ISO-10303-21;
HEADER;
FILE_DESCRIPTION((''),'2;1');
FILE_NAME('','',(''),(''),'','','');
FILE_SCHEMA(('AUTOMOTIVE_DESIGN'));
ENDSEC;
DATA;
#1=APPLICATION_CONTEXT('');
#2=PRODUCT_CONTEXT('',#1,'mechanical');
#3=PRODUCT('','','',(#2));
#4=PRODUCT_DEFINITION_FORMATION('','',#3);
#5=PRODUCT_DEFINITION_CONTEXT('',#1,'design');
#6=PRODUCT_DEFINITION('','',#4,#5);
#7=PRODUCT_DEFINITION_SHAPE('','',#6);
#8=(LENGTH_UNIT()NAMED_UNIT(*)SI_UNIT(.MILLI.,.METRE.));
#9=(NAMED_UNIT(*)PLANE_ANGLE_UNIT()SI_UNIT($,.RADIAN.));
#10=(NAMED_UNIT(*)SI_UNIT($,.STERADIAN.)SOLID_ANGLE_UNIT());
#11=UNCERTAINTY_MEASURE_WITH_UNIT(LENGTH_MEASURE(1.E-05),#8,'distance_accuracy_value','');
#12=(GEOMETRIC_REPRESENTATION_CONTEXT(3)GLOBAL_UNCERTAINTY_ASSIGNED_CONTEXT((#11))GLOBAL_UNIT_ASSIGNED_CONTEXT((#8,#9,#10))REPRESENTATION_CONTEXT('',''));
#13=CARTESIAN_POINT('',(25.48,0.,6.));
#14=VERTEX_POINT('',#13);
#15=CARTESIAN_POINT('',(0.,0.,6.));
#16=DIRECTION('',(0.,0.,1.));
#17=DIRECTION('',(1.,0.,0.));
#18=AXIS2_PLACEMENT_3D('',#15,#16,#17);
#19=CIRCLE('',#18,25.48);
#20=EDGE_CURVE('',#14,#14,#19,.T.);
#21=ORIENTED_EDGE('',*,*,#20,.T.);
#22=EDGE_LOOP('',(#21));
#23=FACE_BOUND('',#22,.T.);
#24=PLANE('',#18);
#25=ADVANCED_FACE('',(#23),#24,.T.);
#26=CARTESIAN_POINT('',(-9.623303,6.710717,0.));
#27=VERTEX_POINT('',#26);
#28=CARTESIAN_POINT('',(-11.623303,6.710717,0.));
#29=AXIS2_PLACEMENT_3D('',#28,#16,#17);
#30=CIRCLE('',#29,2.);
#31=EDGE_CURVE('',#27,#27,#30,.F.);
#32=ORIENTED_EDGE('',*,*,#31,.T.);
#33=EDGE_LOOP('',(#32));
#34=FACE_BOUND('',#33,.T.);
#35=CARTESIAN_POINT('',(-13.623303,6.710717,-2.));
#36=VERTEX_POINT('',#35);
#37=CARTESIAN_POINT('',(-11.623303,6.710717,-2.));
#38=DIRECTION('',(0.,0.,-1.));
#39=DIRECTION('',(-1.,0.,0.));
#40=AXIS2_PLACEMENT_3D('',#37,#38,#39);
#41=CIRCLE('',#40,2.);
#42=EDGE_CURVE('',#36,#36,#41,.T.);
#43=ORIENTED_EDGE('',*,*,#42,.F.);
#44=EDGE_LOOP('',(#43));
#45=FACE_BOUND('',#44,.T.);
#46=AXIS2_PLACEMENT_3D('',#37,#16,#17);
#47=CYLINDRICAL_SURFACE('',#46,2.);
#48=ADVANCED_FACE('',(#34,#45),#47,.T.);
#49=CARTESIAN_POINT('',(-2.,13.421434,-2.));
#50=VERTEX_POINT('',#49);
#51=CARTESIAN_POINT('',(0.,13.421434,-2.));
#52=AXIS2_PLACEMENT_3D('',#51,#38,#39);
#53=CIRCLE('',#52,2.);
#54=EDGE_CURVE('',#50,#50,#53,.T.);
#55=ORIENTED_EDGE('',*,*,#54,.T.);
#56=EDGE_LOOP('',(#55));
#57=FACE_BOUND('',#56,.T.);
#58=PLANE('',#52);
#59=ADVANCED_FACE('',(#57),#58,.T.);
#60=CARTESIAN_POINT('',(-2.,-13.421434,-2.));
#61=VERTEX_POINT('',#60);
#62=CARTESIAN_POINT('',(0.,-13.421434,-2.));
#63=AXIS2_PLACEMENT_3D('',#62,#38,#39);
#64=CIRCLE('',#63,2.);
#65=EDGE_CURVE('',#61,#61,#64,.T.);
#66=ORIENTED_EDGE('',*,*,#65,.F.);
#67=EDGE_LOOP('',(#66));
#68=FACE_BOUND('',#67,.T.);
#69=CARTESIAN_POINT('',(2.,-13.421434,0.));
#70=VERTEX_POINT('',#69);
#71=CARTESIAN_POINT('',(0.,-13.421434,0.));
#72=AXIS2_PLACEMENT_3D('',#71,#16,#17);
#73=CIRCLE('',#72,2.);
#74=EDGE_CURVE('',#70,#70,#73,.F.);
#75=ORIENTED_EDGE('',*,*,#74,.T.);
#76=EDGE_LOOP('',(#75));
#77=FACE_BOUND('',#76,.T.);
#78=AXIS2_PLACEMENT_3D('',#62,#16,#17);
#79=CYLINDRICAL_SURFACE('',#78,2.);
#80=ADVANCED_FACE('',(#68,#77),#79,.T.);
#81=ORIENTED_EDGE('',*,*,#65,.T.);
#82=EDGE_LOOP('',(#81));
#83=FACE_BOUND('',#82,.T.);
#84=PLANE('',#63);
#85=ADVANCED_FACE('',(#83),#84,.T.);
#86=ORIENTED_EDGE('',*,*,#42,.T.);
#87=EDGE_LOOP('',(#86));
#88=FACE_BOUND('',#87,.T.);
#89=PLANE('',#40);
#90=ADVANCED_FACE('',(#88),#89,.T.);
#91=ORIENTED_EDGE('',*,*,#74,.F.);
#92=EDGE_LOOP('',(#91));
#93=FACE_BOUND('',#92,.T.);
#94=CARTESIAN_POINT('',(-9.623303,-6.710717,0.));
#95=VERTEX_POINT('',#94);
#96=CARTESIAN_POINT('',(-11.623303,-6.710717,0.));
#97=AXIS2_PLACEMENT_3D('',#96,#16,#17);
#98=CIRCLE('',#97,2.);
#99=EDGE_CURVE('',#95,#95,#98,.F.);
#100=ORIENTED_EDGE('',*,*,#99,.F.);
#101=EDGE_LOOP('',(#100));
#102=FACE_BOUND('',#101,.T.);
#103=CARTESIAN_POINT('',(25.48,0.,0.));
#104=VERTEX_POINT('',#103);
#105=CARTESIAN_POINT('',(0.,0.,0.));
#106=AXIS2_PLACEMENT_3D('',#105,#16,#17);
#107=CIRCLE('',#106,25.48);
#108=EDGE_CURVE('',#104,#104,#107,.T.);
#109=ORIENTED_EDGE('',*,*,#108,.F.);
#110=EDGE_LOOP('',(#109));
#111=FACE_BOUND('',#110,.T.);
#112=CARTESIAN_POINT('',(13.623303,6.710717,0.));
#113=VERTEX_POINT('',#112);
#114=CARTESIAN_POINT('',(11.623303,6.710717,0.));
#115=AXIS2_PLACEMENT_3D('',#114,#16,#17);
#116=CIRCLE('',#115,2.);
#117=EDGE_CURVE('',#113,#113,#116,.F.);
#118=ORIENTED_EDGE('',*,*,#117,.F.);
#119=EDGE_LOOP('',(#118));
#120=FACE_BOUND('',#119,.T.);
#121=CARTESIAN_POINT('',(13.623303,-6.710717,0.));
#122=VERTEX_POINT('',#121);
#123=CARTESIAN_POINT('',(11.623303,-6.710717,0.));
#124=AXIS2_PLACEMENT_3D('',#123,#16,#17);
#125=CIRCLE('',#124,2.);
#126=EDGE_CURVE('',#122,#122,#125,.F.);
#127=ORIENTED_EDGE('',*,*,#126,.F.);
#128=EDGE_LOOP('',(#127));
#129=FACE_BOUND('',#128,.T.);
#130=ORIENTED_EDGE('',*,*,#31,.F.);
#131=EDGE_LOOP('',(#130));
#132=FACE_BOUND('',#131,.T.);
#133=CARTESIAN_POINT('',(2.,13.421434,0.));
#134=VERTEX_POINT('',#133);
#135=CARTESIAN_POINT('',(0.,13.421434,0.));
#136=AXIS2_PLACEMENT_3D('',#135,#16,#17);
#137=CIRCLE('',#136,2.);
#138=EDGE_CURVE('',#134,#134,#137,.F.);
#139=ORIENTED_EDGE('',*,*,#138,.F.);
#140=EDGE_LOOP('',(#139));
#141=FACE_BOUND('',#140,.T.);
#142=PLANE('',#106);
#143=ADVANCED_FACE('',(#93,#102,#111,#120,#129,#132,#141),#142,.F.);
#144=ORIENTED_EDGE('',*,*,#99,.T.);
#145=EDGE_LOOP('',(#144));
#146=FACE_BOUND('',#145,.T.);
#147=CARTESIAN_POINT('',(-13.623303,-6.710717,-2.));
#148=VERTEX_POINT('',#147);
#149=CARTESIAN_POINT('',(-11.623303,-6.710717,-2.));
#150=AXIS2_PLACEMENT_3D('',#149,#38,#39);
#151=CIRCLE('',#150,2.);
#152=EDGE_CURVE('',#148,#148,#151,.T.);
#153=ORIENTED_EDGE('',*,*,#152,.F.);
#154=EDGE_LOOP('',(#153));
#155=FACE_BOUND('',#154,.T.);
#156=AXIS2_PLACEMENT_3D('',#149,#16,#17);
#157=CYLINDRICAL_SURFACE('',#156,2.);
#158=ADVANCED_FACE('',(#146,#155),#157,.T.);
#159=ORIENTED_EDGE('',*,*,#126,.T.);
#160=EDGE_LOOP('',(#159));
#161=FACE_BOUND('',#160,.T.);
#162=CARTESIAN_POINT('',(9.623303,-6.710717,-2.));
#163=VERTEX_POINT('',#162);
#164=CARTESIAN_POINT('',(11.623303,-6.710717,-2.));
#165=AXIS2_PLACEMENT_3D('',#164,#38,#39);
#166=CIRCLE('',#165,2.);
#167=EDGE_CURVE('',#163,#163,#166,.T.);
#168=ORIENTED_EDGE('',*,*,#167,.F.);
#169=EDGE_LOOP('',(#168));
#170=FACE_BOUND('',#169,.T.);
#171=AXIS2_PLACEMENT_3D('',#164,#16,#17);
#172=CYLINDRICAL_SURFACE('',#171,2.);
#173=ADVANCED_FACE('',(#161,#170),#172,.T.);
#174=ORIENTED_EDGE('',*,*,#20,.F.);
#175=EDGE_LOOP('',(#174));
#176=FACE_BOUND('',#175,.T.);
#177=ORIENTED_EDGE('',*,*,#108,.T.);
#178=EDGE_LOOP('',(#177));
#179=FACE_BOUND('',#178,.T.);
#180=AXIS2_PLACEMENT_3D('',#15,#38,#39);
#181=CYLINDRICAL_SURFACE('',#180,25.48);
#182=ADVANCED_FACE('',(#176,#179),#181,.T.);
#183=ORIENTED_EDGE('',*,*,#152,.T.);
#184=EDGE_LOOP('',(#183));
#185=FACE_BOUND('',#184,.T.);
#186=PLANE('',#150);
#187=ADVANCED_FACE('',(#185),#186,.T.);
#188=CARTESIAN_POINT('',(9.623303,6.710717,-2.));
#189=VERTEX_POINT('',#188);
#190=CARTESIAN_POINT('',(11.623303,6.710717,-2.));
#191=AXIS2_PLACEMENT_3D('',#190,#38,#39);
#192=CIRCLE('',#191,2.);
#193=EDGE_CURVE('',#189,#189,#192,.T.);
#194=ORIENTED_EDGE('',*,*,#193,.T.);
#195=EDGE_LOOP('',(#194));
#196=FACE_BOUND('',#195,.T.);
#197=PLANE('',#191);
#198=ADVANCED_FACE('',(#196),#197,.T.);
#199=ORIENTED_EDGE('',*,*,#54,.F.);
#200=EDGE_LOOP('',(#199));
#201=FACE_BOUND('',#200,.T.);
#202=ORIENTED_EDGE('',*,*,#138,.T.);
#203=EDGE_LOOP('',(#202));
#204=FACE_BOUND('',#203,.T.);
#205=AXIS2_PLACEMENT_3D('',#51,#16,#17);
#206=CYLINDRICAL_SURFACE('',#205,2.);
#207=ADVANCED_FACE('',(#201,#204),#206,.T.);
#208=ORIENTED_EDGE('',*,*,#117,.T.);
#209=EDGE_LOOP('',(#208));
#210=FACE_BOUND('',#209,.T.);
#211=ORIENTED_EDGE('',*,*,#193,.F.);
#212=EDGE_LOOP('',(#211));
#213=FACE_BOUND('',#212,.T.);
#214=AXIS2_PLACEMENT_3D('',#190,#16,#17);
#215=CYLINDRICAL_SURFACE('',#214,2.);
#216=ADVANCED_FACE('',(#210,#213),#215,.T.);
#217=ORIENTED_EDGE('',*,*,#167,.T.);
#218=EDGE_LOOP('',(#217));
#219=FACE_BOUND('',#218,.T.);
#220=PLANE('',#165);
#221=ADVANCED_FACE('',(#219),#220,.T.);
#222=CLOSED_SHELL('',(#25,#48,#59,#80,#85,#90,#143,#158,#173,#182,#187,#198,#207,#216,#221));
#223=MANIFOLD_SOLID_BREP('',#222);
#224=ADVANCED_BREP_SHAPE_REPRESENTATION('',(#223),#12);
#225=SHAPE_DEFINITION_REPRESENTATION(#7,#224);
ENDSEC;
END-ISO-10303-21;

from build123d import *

# Parameters (mm, degrees)
SKETCH1_R           = 25.48
BOSS_EXTRUDE1_DEPTH = 6
SKETCH10_R          = 2
BOSS_EXTRUDE3_DEPTH = 2


with BuildPart() as part:
    # Sketch1 → Boss-Extrude1 (new body)
    with BuildSketch(Plane.XY):
        Circle(SKETCH1_R)
    extrude(amount=BOSS_EXTRUDE1_DEPTH)

    # Sketch10 → Boss-Extrude3 (add)
    with BuildSketch(Plane(origin=(0, 0, 0), x_dir=(-1, 0, 0), z_dir=(0, 0, -1))):
        with Locations((0, 13.421433997)):
            Circle(SKETCH10_R)
        with Locations((11.623302797, 6.710716999)):
            Circle(SKETCH10_R)
        with Locations((11.623302797, -6.710716999)):
            Circle(SKETCH10_R)
        with Locations((0, -13.421433997)):
            Circle(SKETCH10_R)
        with Locations((-11.623302797, -6.710716999)):
            Circle(SKETCH10_R)
        with Locations((-11.623302797, 6.710716999)):
            Circle(SKETCH10_R)
    extrude(amount=BOSS_EXTRUDE3_DEPTH)


solid = part.part
